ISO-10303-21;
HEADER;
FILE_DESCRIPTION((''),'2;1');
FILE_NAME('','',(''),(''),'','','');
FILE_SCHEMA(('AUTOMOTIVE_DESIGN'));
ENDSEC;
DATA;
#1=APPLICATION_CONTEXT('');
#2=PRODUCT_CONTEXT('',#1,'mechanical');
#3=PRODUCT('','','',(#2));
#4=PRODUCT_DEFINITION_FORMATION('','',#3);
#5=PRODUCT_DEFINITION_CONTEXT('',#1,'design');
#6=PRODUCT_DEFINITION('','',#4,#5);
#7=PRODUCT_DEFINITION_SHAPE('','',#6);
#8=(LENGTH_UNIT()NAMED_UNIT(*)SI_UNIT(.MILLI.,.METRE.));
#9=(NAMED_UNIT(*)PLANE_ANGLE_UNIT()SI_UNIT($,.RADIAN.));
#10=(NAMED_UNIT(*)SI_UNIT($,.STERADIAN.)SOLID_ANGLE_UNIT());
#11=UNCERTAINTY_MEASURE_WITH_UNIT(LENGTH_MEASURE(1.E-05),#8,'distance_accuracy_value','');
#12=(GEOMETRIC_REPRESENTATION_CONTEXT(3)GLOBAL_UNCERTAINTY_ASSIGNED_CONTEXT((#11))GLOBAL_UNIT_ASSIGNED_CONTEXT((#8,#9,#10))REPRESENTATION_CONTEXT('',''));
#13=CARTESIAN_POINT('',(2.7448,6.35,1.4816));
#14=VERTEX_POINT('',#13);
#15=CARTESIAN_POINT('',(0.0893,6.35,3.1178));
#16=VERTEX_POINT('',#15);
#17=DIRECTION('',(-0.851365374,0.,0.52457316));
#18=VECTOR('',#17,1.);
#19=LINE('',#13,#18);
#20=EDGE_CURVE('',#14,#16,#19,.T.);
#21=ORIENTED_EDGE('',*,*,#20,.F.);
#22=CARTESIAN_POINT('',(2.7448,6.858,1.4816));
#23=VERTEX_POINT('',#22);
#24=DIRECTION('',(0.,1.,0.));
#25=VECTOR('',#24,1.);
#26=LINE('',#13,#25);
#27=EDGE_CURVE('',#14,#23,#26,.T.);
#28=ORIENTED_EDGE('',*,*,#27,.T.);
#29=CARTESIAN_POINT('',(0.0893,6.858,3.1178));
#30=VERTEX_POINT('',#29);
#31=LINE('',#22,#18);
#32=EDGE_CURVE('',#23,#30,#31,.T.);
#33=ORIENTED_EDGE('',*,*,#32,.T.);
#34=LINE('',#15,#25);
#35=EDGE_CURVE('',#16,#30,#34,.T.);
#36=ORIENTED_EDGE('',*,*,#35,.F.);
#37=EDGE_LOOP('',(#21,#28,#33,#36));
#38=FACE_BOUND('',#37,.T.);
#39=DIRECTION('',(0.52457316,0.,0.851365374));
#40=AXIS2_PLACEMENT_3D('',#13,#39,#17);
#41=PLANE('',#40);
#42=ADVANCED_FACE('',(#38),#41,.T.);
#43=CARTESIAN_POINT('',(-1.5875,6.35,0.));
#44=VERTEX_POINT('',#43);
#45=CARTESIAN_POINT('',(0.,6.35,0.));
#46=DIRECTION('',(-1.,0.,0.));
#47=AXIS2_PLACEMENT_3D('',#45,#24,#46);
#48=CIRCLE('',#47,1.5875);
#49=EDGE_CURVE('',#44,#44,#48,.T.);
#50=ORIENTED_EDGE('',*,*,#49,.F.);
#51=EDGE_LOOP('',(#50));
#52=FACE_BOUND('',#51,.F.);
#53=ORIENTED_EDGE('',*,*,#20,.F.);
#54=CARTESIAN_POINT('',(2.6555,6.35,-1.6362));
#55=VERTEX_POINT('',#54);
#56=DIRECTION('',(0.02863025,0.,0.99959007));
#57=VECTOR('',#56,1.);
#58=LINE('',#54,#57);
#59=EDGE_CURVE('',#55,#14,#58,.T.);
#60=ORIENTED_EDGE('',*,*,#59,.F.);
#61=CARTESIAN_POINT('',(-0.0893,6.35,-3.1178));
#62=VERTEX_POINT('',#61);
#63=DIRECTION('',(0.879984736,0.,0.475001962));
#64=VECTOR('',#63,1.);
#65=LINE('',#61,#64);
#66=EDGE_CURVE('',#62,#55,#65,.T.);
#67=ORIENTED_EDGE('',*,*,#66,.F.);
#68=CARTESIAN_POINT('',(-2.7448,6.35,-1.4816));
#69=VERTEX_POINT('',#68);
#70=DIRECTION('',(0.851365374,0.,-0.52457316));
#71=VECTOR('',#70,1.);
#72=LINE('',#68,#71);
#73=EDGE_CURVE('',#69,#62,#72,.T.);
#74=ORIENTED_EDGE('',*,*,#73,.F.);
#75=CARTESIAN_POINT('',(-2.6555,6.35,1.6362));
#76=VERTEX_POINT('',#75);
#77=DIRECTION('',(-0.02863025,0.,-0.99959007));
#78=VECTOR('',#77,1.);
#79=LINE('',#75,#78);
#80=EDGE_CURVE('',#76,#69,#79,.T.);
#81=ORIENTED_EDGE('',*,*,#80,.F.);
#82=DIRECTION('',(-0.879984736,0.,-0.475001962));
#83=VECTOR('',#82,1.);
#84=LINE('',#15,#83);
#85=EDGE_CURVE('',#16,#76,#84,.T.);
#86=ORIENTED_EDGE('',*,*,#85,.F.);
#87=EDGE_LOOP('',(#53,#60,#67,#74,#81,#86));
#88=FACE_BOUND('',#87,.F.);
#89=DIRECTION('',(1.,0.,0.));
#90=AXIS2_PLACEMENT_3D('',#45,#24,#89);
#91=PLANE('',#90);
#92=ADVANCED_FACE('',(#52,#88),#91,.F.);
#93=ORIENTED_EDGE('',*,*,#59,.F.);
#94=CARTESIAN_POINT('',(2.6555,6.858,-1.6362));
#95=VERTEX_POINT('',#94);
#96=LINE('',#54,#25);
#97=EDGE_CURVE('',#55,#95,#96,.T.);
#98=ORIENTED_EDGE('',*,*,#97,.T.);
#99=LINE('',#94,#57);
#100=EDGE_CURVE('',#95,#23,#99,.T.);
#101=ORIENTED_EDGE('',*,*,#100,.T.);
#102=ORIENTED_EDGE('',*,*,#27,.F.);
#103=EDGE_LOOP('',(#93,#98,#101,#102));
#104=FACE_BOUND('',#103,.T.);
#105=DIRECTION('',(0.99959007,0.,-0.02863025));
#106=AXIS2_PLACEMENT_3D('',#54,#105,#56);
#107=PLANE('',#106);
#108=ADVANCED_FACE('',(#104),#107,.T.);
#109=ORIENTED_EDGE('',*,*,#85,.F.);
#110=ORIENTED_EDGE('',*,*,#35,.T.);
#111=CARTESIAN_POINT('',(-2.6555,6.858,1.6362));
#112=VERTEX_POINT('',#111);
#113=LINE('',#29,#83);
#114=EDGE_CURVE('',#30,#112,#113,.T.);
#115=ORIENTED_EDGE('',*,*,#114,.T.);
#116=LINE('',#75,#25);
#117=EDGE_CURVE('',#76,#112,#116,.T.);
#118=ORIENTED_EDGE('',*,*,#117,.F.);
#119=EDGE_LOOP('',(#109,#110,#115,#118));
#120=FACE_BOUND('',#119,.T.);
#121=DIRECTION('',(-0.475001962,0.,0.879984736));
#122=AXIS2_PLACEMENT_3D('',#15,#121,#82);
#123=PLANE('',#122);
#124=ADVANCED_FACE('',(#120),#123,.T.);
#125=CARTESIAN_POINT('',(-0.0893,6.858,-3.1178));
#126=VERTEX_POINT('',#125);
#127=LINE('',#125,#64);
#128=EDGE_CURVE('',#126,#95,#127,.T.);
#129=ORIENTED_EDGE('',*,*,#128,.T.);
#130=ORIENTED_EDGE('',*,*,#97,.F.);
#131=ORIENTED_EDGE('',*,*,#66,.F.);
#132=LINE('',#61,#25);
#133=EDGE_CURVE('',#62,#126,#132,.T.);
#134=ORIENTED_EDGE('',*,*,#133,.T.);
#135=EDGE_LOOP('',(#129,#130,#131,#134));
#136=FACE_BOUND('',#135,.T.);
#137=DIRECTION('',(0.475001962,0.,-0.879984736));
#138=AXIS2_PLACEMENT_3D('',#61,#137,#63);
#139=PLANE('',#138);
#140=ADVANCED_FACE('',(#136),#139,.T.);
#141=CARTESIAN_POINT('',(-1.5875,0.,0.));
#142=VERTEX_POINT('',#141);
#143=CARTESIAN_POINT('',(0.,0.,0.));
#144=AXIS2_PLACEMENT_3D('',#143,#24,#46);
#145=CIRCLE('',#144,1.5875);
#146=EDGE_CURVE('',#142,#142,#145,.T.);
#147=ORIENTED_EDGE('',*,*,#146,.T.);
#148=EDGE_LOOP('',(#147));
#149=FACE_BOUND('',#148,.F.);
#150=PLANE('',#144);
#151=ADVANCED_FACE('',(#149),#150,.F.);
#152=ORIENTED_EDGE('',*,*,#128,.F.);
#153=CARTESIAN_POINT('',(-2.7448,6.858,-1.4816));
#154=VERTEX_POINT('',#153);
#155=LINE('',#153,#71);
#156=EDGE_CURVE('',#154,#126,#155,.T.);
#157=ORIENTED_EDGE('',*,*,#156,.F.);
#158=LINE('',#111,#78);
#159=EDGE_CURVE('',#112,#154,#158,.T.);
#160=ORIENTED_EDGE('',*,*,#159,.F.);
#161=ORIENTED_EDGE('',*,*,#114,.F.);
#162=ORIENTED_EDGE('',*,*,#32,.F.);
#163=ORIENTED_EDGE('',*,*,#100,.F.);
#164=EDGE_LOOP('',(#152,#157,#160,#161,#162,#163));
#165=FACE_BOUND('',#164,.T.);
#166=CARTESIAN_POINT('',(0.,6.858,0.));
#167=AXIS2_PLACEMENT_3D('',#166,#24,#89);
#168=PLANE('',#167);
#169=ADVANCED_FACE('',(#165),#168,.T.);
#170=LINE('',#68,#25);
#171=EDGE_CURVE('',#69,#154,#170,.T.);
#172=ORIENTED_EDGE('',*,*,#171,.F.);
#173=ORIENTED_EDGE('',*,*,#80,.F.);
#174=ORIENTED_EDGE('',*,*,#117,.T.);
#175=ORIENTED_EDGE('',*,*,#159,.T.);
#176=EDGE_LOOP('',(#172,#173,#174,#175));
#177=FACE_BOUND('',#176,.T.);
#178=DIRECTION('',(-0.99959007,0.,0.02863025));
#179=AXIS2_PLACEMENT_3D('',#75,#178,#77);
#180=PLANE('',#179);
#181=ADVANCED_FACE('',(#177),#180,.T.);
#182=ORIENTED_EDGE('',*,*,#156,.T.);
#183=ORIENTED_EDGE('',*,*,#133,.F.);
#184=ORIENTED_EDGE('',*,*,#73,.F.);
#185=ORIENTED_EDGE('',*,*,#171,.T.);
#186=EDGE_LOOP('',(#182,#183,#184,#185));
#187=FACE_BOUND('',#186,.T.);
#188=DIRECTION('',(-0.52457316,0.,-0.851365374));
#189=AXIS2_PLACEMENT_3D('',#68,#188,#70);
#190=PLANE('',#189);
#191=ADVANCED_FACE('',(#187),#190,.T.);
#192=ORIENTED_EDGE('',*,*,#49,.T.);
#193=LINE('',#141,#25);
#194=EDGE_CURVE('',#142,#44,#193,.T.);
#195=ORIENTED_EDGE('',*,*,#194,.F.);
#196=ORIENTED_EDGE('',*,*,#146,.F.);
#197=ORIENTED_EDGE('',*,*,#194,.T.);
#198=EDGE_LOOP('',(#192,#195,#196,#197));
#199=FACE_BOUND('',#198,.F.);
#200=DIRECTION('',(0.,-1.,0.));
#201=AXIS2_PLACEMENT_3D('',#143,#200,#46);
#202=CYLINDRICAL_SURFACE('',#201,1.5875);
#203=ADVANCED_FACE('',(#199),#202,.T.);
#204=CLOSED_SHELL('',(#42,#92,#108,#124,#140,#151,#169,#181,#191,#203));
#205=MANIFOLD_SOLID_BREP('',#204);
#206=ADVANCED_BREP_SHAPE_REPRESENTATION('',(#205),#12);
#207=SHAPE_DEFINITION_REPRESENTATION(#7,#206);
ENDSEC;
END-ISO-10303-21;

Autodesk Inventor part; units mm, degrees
ref_plane "YZ Plane" through (0, 0, 0) normal (1, 0, 0) x (0, 1, 0)
ref_plane "XZ Plane" through (0, 0, 0) normal (0, 1, 0) x (-1, 0, 0)
ref_plane "XY Plane" through (0, 0, 0) normal (0, 0, 1) x (1, 0, 0)
sketch "Sketch1" plane through (0, 0, 0) normal (0, 1, 0) x (-1, 0, 0)
  circle A0 centre (0, 0) radius 6.35
  circle A1 centre (0, 0) radius 1.5875
  dimension "d0" = 12.7
  dimension "d1" = 3.175
extrude "Extrusion1" add sketch "Sketch1" along normal blind 6.35 contours A1
thread "Thread1" size "5-40 UNC" class "2A" standard "ANSI Unified Screw Threads" full length
sketch "Sketch3" plane through (0, 6.35, 0) normal (0, 1, 0) x (1, 0, 0)
  line L0 (-2.6555, -1.6362) -> (-2.7448, 1.4816)
  line L1 (-2.7448, 1.4816) -> (-0.0893, 3.1178)
  line L2 (-0.0893, 3.1178) -> (2.6555, 1.6362)
  line L3 (2.6555, 1.6362) -> (2.7448, -1.4816)
  line L4 (2.7448, -1.4816) -> (0.0893, -3.1178)
  line L5 (0.0893, -3.1178) -> (-2.6555, -1.6362)
  point P0 (0, 0)
  point P1 (0, 0)
extrude "Extrusion3" add sketch "Sketch3" along normal blind 0.508
thread "Thread3" size "5/8-11 UNC" class "2A" standard "ANSI Unified Screw Threads" full length
properties part number ".625bolt - Copy"
